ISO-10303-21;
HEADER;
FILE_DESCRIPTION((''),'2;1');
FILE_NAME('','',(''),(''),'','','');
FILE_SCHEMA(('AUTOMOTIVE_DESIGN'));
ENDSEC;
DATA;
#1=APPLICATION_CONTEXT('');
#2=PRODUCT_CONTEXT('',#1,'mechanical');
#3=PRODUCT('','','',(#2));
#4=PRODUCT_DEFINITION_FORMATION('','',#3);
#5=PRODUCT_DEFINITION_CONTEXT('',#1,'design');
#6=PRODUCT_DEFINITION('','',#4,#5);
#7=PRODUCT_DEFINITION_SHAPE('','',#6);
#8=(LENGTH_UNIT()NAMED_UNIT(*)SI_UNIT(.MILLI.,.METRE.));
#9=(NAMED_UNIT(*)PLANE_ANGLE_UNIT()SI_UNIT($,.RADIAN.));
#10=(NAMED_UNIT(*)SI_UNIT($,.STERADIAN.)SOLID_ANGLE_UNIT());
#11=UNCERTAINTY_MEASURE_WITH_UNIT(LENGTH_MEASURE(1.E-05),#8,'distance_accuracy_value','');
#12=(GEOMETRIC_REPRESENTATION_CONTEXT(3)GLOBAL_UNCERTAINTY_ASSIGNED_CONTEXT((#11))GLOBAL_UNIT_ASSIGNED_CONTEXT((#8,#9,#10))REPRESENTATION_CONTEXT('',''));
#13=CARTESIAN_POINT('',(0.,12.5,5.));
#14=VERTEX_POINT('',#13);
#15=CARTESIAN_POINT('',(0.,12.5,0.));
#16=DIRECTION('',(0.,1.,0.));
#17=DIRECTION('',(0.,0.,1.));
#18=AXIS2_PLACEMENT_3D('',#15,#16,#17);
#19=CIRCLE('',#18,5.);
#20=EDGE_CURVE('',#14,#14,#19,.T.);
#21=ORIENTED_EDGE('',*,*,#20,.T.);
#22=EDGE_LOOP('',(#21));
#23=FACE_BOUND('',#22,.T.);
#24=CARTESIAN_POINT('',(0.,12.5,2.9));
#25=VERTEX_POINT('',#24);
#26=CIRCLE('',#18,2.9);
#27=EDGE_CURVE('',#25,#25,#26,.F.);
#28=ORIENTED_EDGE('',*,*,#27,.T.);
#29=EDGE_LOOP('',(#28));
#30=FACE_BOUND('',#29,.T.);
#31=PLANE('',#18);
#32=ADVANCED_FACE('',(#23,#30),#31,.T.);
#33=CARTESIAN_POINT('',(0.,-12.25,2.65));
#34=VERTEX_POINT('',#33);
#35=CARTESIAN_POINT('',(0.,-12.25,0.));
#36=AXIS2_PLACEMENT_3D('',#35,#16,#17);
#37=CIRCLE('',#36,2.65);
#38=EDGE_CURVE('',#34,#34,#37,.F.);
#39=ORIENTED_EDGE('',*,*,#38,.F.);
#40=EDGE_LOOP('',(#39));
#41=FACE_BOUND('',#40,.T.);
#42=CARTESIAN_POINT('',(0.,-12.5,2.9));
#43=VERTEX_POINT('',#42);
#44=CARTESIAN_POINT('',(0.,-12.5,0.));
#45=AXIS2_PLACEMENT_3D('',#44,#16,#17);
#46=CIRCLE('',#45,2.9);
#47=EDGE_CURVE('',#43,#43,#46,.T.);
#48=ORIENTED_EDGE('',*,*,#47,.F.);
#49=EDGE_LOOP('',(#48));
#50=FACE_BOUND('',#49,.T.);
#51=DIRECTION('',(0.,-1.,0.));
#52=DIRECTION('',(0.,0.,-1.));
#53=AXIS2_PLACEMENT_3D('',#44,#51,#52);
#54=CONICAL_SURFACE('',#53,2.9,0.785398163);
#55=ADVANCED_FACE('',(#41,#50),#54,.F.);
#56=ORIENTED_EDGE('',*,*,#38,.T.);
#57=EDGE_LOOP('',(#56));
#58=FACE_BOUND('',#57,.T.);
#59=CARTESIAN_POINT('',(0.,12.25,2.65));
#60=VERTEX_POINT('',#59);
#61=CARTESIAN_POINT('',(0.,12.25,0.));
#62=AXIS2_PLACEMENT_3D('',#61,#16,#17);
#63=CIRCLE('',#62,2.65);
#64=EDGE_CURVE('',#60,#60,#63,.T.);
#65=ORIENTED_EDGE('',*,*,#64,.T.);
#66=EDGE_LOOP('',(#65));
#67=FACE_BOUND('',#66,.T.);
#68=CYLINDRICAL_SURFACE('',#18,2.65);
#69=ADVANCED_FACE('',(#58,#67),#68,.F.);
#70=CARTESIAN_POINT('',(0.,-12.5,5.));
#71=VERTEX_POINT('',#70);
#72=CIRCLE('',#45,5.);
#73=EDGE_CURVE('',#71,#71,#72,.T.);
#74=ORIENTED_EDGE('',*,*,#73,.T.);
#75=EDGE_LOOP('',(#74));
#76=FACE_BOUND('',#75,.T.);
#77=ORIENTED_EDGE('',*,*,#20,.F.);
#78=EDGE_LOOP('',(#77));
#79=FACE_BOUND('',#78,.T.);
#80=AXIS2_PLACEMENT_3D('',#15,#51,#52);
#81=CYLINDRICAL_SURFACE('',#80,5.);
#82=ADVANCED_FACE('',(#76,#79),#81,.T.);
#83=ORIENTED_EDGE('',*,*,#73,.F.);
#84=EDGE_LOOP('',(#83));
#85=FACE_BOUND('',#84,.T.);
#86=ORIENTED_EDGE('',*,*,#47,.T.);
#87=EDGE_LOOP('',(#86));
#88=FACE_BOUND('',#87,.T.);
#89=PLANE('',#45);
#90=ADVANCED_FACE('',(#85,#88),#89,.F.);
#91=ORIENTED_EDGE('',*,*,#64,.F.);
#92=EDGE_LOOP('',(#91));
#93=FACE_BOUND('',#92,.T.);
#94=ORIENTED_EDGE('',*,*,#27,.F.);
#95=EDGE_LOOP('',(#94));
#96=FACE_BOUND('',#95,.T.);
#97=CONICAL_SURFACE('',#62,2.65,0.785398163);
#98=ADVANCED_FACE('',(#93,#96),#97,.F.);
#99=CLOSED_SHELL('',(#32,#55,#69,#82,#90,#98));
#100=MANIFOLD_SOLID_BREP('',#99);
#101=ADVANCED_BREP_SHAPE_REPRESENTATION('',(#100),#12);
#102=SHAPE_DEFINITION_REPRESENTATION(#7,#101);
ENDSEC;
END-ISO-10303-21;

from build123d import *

# Parameters (mm, degrees)
SKETCH1_R            = 5
BOSS_EXTRUDE1_DEPTH  = 12.5
M5_CLEARANCE_HOLE1_D = 5.3
CHAMFER1_SIZE        = 0.25


with BuildPart() as part:
    # Sketch1 → Boss-Extrude1 (new, symmetric)
    with BuildSketch(Plane(origin=(0, 0, 0), x_dir=(1, 0, 0), z_dir=(0, 1, 0))):
        with Locations(Location((0, 0, 0), (0, 0, 270))):
            Circle(SKETCH1_R)
    extrude(amount=BOSS_EXTRUDE1_DEPTH, both=True)

    # M5 Clearance Hole1 (through all)
    with Locations(Plane(origin=(0, 12.5, 0), x_dir=(1, 0, 0), z_dir=(0, 1, 0))):
        with Locations((0, 0)):
            Hole(M5_CLEARANCE_HOLE1_D / 2)

    # Chamfer1
    chamfer1_edges = [part.edges().sort_by_distance(p)[0] for p in [
        (2.65, 12.5, 0),
        (2.65, -12.5, 0),
    ]]
    chamfer(chamfer1_edges, length=CHAMFER1_SIZE)


solid = part.part
